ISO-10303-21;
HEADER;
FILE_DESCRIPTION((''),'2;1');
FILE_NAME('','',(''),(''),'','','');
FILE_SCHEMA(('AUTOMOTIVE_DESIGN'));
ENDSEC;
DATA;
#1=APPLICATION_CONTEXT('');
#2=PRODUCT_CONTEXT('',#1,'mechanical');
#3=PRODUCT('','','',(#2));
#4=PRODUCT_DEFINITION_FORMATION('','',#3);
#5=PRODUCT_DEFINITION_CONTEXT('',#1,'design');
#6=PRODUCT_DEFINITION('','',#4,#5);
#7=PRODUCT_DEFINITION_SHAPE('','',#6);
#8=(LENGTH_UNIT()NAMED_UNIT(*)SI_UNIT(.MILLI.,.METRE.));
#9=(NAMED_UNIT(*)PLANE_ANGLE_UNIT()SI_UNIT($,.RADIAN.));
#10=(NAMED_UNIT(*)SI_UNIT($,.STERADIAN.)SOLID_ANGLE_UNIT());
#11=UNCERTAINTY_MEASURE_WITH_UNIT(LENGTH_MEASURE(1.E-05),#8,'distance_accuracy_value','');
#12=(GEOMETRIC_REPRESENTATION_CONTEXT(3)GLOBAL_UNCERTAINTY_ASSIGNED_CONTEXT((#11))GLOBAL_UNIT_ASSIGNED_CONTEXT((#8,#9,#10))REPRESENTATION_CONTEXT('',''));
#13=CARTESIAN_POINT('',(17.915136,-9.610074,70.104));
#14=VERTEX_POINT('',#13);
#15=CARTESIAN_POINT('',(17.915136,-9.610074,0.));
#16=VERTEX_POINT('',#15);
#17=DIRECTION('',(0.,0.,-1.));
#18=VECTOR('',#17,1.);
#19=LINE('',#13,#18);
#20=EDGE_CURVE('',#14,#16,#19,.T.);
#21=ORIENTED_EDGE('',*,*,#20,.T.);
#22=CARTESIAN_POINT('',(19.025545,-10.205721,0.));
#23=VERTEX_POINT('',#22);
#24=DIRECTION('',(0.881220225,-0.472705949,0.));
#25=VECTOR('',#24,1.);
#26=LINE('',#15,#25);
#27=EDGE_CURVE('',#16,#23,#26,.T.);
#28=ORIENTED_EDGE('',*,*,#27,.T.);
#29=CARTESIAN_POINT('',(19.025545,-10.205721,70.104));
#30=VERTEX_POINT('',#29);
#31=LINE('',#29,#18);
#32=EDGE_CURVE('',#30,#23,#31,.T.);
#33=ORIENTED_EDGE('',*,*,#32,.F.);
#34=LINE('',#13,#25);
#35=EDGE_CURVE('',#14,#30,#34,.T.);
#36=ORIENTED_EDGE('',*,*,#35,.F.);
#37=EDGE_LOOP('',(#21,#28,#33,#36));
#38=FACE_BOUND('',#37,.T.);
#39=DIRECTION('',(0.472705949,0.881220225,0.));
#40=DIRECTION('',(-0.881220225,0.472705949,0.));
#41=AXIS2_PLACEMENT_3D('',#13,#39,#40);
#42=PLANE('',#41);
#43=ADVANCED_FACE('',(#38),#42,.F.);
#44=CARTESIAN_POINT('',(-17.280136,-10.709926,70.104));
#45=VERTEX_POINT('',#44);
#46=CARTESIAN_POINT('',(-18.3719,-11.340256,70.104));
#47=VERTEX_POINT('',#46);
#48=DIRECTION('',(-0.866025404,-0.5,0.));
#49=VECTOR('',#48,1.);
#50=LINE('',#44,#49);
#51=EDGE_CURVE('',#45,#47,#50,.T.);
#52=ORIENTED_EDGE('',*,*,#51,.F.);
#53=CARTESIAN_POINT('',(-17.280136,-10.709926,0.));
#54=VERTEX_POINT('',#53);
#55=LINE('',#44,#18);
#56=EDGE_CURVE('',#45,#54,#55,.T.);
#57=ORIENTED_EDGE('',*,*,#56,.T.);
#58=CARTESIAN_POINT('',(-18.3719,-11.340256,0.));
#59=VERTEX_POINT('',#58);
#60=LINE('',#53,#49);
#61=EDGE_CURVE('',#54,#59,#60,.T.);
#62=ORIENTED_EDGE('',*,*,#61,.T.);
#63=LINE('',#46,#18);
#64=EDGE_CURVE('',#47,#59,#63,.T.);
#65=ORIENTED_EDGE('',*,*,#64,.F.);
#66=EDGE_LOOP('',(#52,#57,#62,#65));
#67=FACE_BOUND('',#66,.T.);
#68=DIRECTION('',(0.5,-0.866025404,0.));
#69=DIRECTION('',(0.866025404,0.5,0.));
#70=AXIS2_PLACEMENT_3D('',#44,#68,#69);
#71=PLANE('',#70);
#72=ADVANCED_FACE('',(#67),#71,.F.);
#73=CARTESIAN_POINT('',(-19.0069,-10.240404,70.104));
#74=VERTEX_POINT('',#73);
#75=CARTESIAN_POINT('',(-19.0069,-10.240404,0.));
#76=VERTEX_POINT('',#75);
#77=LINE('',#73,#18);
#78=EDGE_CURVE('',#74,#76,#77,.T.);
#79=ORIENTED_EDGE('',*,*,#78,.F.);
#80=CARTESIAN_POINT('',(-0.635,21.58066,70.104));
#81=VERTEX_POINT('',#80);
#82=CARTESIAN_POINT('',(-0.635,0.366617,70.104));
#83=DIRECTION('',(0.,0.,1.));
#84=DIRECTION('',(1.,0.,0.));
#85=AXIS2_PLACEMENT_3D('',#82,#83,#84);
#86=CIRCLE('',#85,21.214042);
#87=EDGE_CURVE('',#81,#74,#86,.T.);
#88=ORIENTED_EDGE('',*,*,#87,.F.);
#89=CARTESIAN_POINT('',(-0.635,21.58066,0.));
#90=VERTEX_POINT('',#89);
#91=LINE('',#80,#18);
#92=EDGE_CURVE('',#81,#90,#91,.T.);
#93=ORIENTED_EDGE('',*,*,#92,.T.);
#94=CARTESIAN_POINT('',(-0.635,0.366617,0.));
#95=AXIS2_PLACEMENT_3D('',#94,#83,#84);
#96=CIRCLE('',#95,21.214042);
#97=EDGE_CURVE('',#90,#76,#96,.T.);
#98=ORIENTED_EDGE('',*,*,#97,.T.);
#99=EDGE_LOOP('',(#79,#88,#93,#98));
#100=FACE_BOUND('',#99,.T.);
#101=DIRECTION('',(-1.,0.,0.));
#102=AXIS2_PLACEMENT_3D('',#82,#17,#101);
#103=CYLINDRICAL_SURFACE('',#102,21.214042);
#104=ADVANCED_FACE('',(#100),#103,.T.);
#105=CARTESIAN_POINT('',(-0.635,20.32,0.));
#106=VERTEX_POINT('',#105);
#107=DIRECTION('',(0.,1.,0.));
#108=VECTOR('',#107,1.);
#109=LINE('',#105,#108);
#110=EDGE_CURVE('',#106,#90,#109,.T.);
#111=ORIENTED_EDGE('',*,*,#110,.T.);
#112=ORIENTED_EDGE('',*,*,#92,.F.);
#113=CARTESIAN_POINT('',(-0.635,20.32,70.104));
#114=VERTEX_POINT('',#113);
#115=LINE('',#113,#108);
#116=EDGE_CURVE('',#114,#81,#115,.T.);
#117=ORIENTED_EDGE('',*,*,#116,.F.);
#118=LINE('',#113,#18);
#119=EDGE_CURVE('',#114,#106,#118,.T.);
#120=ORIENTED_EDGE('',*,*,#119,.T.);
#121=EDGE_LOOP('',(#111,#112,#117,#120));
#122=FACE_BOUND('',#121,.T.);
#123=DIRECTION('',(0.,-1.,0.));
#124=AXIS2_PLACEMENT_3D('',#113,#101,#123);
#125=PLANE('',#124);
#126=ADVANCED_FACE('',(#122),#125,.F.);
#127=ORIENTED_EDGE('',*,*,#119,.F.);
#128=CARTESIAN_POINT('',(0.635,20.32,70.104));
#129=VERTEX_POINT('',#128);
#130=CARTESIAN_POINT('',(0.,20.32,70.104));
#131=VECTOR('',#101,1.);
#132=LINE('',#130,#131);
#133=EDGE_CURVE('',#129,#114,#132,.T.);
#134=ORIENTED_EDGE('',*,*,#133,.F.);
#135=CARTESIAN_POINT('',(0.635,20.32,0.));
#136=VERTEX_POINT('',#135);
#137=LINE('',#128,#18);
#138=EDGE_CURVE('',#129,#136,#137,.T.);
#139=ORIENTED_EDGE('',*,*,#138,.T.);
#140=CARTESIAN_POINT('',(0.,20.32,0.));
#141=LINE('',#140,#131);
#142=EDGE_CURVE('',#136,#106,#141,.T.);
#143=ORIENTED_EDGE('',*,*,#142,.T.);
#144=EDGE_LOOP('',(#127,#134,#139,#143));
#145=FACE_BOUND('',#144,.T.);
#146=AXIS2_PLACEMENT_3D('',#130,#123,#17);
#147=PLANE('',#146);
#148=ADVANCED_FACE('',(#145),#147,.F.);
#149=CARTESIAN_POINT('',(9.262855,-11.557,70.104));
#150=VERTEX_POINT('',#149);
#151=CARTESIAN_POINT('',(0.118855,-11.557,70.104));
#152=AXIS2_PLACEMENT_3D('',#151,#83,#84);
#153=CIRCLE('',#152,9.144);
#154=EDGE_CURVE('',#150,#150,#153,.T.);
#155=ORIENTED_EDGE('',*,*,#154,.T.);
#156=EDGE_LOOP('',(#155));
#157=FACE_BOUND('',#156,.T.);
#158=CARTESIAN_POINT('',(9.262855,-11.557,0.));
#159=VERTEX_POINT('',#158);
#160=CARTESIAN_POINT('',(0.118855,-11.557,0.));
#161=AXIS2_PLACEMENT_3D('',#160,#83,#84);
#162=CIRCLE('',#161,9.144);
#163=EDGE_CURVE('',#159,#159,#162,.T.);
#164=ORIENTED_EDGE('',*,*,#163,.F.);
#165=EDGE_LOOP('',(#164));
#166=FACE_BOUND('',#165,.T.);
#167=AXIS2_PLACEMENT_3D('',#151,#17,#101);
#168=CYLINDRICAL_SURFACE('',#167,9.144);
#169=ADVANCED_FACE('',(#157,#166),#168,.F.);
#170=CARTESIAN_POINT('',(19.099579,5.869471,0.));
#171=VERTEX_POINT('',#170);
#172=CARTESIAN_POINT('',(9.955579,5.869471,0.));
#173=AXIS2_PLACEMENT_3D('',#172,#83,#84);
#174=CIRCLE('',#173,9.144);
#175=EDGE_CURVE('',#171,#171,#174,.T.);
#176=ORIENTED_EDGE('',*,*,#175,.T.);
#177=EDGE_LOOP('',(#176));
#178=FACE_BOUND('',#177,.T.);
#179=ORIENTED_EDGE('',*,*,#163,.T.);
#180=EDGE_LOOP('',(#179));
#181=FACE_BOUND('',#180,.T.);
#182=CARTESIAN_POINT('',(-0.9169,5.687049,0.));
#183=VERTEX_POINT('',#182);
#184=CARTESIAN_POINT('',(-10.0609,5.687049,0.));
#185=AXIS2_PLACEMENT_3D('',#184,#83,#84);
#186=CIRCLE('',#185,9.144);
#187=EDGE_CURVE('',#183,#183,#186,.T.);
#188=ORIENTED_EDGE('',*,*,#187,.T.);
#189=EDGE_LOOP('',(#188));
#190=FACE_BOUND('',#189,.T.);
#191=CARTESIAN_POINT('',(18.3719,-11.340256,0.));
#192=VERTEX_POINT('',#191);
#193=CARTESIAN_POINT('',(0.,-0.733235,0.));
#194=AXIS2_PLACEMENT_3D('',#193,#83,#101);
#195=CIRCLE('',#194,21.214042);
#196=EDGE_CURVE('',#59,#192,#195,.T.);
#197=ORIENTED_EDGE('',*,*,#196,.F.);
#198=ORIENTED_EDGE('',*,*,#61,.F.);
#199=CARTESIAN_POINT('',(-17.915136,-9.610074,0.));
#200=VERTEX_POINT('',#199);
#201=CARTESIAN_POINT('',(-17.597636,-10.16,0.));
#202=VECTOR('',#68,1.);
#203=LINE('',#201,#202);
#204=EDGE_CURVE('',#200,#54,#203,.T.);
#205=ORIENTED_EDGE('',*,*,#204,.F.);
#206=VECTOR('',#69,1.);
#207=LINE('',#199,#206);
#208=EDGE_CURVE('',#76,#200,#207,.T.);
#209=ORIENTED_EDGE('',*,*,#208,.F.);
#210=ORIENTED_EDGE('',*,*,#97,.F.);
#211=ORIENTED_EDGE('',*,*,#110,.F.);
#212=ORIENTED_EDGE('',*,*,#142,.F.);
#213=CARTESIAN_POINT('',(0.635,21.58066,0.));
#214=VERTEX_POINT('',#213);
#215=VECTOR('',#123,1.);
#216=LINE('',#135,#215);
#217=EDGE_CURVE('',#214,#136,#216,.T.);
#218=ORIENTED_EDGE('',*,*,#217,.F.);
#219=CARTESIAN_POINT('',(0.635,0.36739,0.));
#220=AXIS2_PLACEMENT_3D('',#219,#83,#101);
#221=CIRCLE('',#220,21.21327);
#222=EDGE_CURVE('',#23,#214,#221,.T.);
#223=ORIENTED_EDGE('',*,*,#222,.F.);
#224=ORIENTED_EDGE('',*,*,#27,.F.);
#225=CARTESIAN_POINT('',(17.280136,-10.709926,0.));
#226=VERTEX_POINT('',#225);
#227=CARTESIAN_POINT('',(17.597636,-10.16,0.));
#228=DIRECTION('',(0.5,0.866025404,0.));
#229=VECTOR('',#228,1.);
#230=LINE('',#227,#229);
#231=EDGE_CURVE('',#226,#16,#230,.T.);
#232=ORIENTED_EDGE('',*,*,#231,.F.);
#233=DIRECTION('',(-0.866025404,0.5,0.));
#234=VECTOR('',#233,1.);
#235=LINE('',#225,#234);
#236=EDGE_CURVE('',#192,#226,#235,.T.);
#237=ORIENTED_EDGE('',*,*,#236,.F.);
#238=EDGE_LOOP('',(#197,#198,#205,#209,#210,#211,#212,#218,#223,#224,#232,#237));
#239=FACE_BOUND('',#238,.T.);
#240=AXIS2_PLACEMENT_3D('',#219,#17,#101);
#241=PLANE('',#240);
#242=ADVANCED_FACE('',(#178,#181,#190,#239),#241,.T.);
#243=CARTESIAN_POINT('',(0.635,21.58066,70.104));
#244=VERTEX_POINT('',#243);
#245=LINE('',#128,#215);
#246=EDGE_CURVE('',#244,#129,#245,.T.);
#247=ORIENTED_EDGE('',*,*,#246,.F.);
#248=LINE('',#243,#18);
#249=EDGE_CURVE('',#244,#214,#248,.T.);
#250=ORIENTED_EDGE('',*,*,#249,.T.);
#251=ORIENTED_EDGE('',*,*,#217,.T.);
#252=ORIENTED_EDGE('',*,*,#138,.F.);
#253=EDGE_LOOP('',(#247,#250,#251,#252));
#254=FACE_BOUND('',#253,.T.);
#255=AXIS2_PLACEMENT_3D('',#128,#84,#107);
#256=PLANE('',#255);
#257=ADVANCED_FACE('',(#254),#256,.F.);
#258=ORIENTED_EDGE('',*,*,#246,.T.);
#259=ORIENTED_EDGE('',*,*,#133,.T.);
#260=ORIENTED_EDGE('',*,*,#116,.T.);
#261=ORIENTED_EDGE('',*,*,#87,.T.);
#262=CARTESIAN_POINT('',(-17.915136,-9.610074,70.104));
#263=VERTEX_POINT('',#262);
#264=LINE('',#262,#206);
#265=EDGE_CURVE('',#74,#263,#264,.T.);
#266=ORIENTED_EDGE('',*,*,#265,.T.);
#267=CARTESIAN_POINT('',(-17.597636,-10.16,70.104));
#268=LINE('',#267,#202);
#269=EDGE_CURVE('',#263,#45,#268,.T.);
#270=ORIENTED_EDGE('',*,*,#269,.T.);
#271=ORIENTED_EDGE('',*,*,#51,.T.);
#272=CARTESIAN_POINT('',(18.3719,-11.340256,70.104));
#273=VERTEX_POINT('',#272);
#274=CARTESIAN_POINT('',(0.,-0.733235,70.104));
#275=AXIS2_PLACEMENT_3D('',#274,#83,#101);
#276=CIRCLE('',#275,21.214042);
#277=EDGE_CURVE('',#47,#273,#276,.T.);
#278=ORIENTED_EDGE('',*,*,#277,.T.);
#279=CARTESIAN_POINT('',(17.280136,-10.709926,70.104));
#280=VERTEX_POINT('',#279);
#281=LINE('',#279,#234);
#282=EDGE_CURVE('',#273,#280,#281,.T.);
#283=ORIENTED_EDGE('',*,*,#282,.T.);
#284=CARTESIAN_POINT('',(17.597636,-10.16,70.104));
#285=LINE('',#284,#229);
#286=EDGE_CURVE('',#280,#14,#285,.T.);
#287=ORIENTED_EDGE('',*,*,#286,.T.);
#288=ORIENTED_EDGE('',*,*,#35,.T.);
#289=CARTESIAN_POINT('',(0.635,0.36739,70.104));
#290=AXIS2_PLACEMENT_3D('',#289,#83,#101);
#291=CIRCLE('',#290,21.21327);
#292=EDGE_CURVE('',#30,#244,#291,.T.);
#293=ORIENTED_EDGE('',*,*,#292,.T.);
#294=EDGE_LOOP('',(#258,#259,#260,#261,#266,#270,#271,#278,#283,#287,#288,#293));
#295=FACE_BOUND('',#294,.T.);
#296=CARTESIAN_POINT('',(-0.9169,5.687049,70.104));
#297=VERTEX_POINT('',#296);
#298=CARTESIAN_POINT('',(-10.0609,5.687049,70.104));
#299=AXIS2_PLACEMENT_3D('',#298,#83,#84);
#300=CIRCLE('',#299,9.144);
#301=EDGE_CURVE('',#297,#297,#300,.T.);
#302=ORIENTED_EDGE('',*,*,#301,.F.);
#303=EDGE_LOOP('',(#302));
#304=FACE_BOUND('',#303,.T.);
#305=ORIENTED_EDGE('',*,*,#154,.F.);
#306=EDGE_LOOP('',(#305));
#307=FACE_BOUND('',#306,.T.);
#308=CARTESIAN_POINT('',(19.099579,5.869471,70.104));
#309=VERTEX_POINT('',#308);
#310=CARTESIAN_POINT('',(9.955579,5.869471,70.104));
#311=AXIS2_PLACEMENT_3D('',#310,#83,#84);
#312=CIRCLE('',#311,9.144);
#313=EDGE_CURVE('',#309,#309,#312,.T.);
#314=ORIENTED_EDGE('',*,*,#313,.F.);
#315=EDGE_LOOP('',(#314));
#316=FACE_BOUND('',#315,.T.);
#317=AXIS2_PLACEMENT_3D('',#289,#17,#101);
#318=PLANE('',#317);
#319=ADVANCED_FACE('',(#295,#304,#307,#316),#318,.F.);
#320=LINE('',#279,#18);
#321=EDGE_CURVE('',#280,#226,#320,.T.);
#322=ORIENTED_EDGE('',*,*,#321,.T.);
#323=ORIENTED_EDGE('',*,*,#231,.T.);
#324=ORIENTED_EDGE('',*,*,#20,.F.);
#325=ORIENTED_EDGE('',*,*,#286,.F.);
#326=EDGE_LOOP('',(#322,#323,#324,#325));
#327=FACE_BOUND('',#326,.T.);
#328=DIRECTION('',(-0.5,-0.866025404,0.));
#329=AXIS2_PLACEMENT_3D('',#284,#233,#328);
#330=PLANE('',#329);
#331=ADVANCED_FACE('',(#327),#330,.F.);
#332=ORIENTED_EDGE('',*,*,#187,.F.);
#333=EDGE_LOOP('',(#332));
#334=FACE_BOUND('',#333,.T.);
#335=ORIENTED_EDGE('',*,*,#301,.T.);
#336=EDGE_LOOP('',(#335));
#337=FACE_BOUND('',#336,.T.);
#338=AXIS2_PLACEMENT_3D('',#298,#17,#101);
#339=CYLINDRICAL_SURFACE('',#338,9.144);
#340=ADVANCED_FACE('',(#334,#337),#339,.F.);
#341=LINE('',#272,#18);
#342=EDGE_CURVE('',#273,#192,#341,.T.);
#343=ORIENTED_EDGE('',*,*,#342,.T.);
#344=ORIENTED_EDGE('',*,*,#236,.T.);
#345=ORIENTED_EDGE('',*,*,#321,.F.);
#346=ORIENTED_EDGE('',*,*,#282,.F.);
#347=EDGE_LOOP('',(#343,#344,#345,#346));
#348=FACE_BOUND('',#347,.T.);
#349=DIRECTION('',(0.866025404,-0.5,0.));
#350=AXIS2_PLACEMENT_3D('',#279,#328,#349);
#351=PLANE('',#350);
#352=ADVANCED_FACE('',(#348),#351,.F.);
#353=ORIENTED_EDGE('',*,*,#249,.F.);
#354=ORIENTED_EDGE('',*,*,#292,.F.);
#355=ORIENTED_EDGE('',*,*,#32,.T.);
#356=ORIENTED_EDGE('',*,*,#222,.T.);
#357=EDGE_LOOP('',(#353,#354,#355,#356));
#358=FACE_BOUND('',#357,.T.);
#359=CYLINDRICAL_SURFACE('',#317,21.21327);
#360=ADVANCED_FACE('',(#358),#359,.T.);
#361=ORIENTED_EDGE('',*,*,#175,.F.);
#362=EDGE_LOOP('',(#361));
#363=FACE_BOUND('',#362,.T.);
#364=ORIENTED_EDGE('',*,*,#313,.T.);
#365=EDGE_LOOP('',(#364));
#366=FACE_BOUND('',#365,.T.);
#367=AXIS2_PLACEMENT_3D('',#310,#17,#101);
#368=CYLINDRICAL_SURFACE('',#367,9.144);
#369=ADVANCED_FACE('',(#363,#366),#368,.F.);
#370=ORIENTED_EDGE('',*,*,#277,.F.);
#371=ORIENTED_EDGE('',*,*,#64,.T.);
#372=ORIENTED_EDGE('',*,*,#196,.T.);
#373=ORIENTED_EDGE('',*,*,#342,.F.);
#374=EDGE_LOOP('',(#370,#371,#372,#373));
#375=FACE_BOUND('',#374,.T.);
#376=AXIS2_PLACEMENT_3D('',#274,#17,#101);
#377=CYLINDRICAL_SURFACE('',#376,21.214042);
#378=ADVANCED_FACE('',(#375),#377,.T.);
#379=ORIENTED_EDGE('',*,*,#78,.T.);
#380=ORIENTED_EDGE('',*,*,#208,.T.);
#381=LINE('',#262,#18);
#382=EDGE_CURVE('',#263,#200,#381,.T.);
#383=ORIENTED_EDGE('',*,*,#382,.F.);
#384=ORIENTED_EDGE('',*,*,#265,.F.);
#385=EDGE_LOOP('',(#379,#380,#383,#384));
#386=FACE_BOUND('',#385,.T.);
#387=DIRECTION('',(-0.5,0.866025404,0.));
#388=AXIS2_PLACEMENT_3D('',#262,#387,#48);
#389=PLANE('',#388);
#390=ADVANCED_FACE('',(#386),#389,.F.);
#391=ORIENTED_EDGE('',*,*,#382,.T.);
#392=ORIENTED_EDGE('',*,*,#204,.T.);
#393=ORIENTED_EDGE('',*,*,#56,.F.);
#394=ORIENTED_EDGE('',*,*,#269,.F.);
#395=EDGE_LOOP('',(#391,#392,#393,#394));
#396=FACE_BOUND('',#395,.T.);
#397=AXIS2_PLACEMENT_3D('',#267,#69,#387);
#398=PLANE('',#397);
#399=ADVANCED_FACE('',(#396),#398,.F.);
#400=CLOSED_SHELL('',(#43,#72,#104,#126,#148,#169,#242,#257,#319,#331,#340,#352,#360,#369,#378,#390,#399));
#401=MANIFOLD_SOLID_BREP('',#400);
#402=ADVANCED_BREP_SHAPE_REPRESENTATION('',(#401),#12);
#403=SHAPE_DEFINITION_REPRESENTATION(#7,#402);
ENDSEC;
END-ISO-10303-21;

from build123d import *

# Parameters (mm, degrees)
SKETCH1_R           = 9.144
BOSS_EXTRUDE1_DEPTH = 70.104


with BuildPart() as part:
    # Sketch1 → Boss-Extrude1 (new body)
    with BuildSketch(Plane.XY):
        with BuildLine():
            Line((0, 20.32), (-0.635, 20.32))
            Line((-0.635, 20.32), (-0.635, 21.580659744))
            ThreePointArc((-0.635, 21.580659744), (-19.006899569, 10.973638583), (-19.006899569, -10.240403741))
            Line((-19.006899569, -10.240403741), (-17.915136205, -9.610073869))
            Line((-17.915136205, -9.610073869), (-17.597636205, -10.16))
            Line((-17.597636205, -10.16), (-17.280136205, -10.709926131))
            Line((-17.280136205, -10.709926131), (-18.371899569, -11.340256004))
            ThreePointArc((-18.371899569, -11.340256004), (0, -21.947277165), (18.371899569, -11.340256004))
            Line((18.371899569, -11.340256004), (17.280136205, -10.709926131))
            Line((17.280136205, -10.709926131), (17.597636205, -10.16))
            Line((17.597636205, -10.16), (17.915136205, -9.610073869))
            Line((17.915136205, -9.610073869), (19.025544668, -10.205721439))
            ThreePointArc((19.025544668, -10.205721439), (18.996550601, 10.990773387), (0.635, 21.580659744))
            Line((0.635, 21.580659744), (0.635, 20.32))
            Line((0.635, 20.32), (0, 20.32))
        make_face()
        with Locations((0.118855304, -11.557)):
            Circle(SKETCH1_R, mode=Mode.SUBTRACT)
        with Locations((9.955579479, 5.869470694)):
            Circle(SKETCH1_R, mode=Mode.SUBTRACT)
        with Locations((-10.060900468, 5.687049391)):
            Circle(SKETCH1_R, mode=Mode.SUBTRACT)
    extrude(amount=BOSS_EXTRUDE1_DEPTH)


solid = part.part
